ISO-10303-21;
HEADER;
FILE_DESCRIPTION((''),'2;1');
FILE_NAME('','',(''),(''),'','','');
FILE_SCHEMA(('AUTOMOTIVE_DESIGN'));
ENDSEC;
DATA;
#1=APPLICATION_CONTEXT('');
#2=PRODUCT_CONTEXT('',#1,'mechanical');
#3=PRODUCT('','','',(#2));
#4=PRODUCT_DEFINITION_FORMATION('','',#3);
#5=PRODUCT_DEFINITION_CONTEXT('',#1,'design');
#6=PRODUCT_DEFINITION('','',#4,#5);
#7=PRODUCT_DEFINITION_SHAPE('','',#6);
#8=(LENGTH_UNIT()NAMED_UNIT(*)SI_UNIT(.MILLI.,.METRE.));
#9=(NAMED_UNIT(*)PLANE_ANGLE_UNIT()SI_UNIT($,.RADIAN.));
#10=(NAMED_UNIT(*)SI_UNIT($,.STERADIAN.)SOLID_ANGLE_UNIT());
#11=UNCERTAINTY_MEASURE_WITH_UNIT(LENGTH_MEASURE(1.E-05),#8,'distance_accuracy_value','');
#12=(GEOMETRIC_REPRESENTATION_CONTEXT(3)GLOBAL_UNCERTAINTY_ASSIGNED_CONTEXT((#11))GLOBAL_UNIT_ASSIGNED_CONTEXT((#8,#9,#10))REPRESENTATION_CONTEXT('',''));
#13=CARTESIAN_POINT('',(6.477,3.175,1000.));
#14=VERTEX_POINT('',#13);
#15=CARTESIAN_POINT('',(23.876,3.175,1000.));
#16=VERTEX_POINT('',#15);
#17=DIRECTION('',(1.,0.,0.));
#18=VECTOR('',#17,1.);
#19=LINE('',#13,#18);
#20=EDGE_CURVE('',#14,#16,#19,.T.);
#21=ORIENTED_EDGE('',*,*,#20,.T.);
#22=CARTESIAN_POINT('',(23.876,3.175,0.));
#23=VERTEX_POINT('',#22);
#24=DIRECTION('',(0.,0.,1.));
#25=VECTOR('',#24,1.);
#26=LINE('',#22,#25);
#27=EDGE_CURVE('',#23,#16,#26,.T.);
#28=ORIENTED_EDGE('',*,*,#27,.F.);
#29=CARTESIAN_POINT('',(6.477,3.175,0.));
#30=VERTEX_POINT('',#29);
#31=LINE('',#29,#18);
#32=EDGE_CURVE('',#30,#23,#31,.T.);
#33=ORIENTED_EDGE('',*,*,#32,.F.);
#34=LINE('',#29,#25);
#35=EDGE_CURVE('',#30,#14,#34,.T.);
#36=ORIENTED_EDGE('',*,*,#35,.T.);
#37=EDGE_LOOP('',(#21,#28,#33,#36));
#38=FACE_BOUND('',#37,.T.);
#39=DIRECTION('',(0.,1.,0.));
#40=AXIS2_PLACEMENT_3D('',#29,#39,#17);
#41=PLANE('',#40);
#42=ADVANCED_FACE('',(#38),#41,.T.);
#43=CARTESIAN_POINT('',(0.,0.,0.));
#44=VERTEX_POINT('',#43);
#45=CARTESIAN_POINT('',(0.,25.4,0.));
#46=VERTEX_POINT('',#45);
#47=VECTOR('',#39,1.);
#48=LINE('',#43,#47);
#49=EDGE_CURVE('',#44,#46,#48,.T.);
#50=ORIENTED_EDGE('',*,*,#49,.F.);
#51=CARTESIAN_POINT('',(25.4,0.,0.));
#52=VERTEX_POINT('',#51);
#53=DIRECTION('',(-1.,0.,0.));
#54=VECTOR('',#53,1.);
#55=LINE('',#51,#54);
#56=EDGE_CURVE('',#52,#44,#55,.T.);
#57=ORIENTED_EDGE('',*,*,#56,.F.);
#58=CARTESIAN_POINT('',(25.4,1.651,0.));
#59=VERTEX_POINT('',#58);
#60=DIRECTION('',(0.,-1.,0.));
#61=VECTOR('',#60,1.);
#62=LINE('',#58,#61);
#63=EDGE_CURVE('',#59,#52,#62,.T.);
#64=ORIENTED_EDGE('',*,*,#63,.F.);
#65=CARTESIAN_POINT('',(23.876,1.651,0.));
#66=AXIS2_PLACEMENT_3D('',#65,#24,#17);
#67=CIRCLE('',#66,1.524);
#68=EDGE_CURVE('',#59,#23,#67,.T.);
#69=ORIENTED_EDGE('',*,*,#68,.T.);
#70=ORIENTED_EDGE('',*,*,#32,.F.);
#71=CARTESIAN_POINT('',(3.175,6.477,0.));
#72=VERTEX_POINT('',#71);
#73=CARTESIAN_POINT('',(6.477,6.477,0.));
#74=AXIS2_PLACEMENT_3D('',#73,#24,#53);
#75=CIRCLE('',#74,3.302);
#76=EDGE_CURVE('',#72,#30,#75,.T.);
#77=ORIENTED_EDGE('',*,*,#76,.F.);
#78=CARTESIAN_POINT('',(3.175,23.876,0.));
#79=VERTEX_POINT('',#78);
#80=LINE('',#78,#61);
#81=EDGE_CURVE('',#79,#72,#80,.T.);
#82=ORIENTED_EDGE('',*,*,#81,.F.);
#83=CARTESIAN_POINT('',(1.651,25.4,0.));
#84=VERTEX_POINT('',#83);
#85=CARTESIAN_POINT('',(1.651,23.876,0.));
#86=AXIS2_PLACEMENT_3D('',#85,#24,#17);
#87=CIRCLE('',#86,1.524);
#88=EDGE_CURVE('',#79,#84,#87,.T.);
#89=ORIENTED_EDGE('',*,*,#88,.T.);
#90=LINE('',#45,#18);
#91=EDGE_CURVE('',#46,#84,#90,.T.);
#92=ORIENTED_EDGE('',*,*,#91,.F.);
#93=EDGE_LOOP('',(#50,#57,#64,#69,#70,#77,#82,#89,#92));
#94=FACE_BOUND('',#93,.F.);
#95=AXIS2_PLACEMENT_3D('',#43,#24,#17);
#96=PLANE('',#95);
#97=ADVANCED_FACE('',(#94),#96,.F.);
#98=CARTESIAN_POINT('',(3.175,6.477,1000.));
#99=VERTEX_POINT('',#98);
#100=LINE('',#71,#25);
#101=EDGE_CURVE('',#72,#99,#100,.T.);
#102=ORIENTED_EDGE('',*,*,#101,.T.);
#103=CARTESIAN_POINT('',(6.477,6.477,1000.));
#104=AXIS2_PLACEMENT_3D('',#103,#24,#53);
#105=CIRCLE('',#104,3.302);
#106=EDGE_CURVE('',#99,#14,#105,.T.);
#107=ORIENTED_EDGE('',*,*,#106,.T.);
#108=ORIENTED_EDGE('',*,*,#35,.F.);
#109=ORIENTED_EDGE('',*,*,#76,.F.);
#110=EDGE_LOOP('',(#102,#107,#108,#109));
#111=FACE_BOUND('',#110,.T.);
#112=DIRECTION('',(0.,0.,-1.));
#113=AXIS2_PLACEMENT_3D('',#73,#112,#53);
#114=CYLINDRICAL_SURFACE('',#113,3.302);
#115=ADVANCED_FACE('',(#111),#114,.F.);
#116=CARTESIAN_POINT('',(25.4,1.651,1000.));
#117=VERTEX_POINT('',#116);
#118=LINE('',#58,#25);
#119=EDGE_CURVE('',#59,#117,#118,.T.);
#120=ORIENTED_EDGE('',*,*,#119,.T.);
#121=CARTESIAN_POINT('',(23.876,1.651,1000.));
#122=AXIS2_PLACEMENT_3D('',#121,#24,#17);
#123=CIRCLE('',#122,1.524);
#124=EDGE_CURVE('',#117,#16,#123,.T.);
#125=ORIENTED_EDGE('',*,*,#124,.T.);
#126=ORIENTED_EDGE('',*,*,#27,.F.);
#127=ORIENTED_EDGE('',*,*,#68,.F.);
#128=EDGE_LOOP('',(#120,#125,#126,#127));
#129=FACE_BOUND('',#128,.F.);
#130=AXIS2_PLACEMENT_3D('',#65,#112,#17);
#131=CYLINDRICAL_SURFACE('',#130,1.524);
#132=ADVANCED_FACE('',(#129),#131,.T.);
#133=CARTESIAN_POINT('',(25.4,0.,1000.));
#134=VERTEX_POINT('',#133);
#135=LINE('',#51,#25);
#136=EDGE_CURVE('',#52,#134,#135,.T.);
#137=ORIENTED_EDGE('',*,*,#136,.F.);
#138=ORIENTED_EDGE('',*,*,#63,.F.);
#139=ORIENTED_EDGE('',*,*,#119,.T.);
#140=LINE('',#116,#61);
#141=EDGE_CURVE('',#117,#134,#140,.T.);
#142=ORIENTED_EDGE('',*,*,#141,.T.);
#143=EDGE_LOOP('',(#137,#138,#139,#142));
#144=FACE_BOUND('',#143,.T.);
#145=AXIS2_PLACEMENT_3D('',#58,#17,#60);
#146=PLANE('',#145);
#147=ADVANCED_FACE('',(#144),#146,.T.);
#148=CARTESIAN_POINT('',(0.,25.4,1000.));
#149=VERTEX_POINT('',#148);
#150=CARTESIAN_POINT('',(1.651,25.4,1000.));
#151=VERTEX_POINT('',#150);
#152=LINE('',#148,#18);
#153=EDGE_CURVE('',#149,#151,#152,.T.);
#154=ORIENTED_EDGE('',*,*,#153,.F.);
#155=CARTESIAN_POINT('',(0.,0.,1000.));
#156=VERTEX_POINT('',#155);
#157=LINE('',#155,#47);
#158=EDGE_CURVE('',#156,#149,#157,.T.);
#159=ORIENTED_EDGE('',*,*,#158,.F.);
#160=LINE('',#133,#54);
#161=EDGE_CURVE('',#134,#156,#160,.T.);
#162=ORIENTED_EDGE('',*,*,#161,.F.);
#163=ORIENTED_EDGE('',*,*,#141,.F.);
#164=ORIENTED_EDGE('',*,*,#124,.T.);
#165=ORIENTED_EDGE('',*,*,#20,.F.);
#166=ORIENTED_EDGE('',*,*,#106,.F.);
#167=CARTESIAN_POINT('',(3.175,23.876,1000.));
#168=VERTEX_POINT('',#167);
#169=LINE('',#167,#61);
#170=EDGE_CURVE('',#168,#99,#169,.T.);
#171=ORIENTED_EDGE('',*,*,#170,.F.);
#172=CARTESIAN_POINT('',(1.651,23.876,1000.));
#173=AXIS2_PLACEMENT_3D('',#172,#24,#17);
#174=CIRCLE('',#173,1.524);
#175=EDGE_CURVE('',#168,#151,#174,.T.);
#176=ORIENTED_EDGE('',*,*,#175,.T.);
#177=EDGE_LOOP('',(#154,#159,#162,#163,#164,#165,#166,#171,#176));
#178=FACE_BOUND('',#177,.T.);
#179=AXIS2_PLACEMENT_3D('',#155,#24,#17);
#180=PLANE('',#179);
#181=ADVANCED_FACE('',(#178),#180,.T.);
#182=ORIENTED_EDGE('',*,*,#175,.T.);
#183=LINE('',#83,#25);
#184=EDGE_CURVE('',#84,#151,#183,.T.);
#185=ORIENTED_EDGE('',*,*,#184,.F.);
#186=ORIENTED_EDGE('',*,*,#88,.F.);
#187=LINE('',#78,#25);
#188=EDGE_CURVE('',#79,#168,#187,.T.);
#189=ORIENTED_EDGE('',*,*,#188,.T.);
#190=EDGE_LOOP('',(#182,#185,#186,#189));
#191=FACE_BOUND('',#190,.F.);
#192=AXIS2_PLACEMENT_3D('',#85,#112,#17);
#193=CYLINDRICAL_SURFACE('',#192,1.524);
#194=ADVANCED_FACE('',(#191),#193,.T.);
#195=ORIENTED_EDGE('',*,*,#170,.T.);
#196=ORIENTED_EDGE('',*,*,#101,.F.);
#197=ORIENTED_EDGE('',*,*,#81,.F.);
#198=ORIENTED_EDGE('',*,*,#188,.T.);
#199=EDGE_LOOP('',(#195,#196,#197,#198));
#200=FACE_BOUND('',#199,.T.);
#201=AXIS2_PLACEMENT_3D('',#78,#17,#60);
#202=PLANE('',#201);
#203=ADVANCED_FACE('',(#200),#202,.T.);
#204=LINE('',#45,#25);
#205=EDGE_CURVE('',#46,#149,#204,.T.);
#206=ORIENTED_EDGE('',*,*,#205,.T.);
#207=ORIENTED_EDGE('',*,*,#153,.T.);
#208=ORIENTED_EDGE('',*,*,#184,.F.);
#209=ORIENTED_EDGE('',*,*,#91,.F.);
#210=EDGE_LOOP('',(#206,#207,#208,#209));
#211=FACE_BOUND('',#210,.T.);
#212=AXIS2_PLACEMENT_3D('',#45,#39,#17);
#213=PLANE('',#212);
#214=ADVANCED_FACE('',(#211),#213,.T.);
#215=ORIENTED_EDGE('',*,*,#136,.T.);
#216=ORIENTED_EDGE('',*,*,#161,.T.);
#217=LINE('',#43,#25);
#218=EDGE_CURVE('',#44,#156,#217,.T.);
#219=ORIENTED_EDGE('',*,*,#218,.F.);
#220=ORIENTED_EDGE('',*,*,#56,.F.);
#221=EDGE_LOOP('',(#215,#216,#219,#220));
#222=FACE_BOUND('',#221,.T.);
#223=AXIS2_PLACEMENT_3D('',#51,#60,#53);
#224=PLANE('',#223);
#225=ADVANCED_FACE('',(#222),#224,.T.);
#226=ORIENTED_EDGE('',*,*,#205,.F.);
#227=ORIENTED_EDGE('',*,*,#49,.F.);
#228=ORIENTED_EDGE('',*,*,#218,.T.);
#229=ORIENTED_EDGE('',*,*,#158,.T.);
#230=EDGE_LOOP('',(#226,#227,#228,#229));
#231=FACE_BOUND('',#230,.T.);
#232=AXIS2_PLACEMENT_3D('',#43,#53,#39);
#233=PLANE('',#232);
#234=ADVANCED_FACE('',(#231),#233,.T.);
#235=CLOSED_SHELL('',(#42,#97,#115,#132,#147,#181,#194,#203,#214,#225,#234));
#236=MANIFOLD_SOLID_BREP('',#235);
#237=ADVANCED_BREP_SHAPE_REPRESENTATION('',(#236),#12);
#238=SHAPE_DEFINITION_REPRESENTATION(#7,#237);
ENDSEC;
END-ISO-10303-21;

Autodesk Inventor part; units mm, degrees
ref_plane "YZ Plane" through (0, 0, 0) normal (1, 0, 0) x (0, 1, 0)
ref_plane "Start Plane" through (0, 0, 0) normal (0, 0, 1) x (1, 0, 0)
ref_plane "End Plane" through (0, 0, 1000) normal (0, 0, 1) x (1, 0, 0)
sketch "Sketch" plane through (0, 0, 0) normal (0, 0, 1) x (1, 0, 0)
  line L0 (25.4, 0) -> (0, 0)
  line L1 (0, 0) -> (0, 25.4)
  line L2 (0, 25.4) -> (1.651, 25.4)
  line L3 (3.175, 23.876) -> (3.175, 6.477)
  line L4 (6.477, 3.175) -> (23.876, 3.175)
  line L5 (25.4, 1.651) -> (25.4, 0)
  line L6 (0, -11.0414) -> (0, 31.5385) construction
  line L7 (-11.0414, 0) -> (31.5385, 0) construction
  arc A0 (3.175, 6.477) -> (6.477, 3.175) centre (6.477, 6.477) ccw
  arc A1 (3.175, 23.876) -> (1.651, 25.4) centre (1.651, 23.876) ccw
  arc A2 (25.4, 1.651) -> (23.876, 3.175) centre (23.876, 1.651) ccw
  line L8 (0, 40.0545) -> (0, -19.5574) construction
  line L9 (-19.5574, 0) -> (40.0545, 0) construction
  point P0 (3.175, 25.4)
  point P1 (3.175, 3.175)
  point P2 (25.4, 3.175)
  dimension "d0" = 25.4
  dimension "d1" = 25.4
  dimension "d2" = 3.175
  dimension "d3" = 3.175
  dimension "d10" = 0
  dimension "d11" = 0
  dimension "d14" = 3.302
  dimension "d15" = 1.524
extrude "Body" add sketch "Sketch" along normal up to surface (1000 mm away) from surface at 0
sketch "Sketch3" plane through (0, 0, 0) normal (0, 0, 1) x (1, 0, 0)
  line L0 (0, 0) -> (10, 0)
ref_plane "Work Plane3" through (0, 0, 0) normal (0, -1, 0) x (1, 0, 0)
sketch "Sketch4" plane through (0, 0, 0) normal (0, -1, 0) x (1, 0, 0)
  line L0 (-2, 0) -> (12, 0) projected
  line L1 (-2, 1000) -> (12, 1000) projected
  dimension "d17" = 1000
equation "\"d0\" = G_H"
equation "\"d1\" = G_H"
equation "\"d2\" = G_T"
equation "\"d3\" = G_T"
equation "\"d14\" = G_IR"
equation "\"d15\" = G_ER"
equation "\"d4\" = G_L"
equation "\"G_H\" = 25.4"
equation "\"G_T\" = 3.175"
equation "\"G_ER\" = 1.524"
equation "\"G_IR\" = 3.302"
equation "\"G_L\" = d17"
equation "\"ex\" = 0"
equation "\"G_OFFSET_START\" = 0"
equation "\"G_OFFSET_END\" = 0"
properties part number "AISC - L 1 x 1 x 1/8 - 39.37" material "Steel, Mild"
